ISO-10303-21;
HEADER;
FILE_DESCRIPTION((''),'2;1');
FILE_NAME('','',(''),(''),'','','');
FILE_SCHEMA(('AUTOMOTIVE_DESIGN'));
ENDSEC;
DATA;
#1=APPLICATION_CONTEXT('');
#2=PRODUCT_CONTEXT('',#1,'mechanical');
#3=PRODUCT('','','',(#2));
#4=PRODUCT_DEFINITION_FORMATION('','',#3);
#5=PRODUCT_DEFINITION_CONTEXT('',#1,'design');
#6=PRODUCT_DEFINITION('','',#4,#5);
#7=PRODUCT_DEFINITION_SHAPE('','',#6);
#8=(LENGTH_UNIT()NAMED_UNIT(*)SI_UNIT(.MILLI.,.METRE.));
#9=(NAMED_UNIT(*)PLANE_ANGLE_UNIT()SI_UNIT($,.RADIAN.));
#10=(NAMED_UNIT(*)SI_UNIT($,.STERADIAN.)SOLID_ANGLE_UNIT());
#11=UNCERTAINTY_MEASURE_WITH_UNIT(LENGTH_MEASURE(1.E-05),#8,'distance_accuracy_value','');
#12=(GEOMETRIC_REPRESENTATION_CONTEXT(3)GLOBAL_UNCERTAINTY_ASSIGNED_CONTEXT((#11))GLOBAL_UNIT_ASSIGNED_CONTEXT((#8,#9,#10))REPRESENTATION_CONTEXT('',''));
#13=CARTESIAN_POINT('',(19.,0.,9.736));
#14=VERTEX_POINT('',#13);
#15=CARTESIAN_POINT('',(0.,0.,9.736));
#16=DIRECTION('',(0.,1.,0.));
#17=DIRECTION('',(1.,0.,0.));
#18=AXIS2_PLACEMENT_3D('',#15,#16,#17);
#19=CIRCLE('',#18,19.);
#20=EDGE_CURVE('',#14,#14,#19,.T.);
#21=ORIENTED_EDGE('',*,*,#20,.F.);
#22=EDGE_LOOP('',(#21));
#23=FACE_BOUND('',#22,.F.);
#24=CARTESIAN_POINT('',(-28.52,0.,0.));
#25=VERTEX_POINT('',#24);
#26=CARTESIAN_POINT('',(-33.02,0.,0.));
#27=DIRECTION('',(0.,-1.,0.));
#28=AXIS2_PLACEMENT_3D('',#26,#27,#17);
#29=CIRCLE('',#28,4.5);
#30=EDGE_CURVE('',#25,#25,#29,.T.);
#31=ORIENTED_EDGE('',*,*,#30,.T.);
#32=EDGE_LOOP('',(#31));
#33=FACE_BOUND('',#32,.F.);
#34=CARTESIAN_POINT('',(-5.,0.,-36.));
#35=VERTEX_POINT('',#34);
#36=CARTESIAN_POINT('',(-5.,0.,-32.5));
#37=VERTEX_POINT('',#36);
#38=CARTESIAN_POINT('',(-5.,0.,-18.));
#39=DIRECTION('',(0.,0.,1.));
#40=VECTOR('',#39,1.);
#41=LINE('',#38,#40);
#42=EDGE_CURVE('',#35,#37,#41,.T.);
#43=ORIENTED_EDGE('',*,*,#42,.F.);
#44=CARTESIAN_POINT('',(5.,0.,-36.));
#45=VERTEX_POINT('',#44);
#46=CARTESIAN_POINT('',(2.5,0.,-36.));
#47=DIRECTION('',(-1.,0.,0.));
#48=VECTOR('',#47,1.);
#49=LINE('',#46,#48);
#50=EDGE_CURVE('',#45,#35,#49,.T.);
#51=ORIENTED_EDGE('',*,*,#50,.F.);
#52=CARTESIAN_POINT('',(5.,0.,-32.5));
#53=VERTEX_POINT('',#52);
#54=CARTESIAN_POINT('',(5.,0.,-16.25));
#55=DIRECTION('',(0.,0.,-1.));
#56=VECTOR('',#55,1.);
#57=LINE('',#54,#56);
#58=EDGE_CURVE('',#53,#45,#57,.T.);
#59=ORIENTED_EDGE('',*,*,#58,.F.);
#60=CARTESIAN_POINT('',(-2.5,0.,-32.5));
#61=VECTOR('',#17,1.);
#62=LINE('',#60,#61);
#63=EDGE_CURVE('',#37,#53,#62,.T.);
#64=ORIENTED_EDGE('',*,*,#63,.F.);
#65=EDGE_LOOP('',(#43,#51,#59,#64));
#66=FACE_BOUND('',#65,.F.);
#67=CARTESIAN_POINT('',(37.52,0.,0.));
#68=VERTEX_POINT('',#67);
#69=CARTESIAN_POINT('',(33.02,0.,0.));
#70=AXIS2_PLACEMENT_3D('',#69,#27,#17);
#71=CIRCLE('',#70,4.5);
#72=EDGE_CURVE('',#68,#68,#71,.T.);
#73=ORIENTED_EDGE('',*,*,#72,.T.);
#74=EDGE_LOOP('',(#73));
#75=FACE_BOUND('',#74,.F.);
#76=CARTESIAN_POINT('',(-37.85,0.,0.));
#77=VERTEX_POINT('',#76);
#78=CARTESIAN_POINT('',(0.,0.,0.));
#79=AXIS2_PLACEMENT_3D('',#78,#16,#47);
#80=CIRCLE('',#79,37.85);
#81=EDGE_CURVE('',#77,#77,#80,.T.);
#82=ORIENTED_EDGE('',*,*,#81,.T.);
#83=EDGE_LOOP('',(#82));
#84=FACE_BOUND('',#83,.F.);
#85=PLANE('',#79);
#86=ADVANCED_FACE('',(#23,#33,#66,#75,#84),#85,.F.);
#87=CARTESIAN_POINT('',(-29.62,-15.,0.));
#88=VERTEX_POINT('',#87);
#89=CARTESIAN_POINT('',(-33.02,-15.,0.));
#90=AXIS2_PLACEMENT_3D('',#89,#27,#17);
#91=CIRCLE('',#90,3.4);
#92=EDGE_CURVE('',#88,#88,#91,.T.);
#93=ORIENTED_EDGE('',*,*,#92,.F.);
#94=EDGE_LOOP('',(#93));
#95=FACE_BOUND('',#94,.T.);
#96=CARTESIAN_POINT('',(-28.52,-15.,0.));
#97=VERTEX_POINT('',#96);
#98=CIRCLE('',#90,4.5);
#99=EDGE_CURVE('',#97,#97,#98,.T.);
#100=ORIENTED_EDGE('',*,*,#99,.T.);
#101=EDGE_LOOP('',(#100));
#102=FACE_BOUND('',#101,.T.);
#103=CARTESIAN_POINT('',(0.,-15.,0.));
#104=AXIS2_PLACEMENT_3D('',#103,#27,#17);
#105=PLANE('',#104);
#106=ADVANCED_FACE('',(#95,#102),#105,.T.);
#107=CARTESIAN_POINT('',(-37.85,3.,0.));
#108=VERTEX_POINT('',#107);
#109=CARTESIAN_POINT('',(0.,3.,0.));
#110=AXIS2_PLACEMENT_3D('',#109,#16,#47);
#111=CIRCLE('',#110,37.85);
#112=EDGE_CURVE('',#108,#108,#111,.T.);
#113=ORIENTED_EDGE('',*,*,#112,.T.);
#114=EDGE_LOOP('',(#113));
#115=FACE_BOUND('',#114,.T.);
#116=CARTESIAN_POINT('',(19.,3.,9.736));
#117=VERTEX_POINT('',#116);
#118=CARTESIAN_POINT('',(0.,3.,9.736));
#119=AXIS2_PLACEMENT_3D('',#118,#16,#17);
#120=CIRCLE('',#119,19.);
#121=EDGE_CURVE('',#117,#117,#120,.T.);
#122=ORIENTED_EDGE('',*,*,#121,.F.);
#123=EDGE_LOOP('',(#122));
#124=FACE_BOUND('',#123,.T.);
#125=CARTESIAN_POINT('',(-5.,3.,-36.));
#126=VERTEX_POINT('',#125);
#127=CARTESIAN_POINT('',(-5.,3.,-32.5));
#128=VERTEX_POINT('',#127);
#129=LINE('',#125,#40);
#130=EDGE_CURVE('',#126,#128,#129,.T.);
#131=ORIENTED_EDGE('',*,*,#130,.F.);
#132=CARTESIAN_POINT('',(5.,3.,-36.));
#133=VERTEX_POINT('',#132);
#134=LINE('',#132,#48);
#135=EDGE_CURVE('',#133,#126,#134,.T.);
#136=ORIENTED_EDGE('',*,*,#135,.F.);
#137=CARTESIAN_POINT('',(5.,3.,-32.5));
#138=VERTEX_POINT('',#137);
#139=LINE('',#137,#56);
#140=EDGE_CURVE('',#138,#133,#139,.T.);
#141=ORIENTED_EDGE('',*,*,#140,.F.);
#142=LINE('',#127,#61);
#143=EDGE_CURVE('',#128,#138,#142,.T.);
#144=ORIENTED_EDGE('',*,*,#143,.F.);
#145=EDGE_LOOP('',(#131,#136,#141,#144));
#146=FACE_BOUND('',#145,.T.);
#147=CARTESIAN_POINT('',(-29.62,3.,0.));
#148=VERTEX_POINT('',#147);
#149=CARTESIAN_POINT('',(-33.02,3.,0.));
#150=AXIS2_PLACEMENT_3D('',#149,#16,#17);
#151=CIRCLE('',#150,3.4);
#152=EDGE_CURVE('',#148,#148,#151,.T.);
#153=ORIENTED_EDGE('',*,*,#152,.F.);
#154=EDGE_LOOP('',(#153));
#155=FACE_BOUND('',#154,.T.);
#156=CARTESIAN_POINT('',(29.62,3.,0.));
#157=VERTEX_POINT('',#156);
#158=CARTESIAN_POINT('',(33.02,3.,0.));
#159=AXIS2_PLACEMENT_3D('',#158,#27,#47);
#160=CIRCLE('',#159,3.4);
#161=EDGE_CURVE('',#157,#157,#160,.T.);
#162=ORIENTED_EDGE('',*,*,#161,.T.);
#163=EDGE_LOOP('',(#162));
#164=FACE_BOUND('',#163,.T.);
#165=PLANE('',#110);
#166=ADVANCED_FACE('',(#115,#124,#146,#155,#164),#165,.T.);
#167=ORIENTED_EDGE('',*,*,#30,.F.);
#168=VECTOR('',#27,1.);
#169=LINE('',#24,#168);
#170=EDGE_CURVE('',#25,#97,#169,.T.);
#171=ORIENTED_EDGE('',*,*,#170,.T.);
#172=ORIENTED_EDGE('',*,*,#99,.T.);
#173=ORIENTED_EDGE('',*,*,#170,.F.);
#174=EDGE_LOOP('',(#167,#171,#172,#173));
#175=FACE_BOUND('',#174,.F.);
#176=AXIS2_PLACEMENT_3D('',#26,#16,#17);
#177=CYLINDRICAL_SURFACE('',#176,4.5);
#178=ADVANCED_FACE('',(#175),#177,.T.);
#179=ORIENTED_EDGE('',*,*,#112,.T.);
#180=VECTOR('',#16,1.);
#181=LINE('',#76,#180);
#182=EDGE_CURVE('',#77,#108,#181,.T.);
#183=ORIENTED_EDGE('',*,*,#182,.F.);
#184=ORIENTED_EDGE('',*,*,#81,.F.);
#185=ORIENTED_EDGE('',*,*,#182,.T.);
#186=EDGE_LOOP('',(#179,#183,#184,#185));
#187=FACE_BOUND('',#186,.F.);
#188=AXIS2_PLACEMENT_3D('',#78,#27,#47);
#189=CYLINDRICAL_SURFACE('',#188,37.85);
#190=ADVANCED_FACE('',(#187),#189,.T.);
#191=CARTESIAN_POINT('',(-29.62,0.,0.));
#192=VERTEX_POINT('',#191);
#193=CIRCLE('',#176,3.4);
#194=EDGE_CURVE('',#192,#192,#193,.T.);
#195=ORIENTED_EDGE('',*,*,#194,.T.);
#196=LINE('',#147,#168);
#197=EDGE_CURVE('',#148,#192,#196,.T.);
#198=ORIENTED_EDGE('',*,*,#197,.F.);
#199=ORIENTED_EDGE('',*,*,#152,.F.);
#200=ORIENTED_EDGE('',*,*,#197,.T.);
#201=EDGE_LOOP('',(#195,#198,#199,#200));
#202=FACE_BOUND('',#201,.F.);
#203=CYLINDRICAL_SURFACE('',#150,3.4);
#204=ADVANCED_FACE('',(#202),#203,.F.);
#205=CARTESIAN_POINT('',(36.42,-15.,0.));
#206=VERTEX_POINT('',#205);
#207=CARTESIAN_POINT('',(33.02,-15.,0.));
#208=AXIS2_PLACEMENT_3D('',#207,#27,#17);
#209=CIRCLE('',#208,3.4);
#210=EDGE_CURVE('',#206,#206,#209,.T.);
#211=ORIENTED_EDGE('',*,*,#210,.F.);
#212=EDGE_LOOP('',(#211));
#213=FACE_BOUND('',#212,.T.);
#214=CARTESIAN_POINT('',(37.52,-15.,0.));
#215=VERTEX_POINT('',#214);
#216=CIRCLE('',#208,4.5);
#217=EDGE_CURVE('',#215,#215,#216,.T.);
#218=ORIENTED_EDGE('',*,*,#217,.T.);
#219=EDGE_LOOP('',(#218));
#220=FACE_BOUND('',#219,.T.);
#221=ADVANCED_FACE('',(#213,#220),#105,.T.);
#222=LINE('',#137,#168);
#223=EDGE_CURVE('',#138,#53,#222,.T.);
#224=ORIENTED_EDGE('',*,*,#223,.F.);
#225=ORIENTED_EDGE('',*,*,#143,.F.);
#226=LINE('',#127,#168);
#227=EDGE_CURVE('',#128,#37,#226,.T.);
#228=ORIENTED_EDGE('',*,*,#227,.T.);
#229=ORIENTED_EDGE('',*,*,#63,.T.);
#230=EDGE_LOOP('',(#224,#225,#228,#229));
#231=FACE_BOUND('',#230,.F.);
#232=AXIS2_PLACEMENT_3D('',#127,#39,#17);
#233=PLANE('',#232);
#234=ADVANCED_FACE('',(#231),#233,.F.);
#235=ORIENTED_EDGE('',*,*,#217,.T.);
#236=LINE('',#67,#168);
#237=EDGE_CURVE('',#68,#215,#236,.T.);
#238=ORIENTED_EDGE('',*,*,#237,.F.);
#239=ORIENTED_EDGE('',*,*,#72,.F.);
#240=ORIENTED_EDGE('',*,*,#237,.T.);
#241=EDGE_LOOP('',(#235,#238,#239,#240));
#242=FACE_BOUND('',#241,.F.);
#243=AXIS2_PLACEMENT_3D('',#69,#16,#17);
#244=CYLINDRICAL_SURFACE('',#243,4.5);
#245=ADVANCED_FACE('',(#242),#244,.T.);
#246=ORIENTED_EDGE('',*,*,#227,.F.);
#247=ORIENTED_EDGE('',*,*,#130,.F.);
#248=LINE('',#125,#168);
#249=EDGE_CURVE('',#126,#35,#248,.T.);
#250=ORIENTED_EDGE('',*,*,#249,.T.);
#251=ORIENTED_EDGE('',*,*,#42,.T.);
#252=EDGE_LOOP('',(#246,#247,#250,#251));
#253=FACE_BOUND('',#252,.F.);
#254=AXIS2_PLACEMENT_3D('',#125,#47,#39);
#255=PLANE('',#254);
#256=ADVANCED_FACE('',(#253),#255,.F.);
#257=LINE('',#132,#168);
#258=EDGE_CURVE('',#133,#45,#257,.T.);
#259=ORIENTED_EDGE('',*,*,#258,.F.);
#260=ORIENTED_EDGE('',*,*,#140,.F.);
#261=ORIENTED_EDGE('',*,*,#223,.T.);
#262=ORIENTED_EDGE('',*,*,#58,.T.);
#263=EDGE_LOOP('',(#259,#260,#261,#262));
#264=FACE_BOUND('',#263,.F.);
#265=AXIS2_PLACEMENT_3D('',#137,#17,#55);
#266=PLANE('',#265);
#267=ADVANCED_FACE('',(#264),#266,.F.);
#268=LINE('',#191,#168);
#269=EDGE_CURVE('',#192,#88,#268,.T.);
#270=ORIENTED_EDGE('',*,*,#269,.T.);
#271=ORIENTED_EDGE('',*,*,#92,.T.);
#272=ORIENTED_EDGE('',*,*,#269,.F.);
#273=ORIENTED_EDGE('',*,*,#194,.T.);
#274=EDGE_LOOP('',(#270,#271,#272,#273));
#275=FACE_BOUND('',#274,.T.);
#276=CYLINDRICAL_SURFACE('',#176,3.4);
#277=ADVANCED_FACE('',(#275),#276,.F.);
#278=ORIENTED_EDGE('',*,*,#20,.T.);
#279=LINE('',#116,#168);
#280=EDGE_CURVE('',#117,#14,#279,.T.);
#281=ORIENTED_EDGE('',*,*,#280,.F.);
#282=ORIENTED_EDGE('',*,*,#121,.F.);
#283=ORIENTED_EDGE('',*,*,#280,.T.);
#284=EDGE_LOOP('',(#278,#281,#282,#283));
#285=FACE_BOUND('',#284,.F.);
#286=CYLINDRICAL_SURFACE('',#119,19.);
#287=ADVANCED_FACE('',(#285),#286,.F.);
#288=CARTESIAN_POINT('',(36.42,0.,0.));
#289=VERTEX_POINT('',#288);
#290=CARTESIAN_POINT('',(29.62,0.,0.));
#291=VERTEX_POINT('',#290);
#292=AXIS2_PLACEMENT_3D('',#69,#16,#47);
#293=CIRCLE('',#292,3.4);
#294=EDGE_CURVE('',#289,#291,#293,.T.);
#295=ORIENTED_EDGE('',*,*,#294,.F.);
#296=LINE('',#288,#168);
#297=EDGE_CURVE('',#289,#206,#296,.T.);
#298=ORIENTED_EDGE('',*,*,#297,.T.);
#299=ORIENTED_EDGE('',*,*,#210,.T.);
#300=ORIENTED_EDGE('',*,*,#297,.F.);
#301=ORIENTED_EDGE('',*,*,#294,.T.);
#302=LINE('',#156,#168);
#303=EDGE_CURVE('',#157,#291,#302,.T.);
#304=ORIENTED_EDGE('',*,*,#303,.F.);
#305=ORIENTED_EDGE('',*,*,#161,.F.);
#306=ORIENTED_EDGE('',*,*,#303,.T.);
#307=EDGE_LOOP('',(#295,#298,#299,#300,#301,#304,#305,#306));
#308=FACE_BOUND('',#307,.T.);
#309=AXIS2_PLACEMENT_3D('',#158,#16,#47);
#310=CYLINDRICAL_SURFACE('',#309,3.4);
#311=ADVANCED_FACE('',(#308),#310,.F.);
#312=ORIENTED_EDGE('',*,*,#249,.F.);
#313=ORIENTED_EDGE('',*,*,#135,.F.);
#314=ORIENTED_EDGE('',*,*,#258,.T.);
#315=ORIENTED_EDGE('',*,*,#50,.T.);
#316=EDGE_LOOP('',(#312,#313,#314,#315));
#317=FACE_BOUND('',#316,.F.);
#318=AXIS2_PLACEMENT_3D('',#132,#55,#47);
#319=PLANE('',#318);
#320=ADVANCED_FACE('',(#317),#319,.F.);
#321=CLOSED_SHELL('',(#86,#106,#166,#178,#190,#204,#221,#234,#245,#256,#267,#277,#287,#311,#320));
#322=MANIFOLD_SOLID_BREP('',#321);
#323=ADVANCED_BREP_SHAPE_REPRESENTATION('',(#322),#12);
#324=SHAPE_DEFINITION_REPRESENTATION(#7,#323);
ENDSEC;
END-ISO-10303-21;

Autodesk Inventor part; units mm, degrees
ref_plane "YZ Plane" through (0, 0, 0) normal (1, 0, 0) x (0, 1, 0)
ref_plane "XZ Plane" through (0, 0, 0) normal (0, 1, 0) x (-1, 0, 0)
ref_plane "XY Plane" through (0, 0, 0) normal (0, 0, 1) x (1, 0, 0)
sketch "Sketch1" plane through (0, 0, 0) normal (0, 1, 0) x (-1, 0, 0)
  circle A0 centre (0, 0) radius 37.85
  dimension "d0" = 75.7
extrude "Extrusion1" add sketch "Sketch1" along normal blind 3
sketch "Sketch2" plane through (0, 3, 0) normal (0, 1, 0) x (1, 0, 0)
  circle A0 centre (-33.02, 0) radius 3.4
  point P0 (0, 0)
  point P1 (0, 0)
  dimension "d3" = 33.02
  dimension "d4" = 6.8
extrude "Extrusion2" cut sketch "Sketch2" against normal through all
mirror "Mirror1" about plane through (0, 0, 0) normal (1, 0, 0) of "Extrusion2"
sketch "Sketch3" plane through (0, 0, 0) normal (0, -1, 0) x (1, 0, 0)
  circle A0 centre (-33.02, 0) radius 3.4 projected
  circle A1 centre (33.02, 0) radius 3.4 projected
  circle A2 centre (-33.02, 0) radius 4.5
  circle A3 centre (33.02, 0) radius 4.5
  point P0 (0, 0)
  dimension "d7" = 9
  dimension "d8" = 9
extrude "Extrusion3" add sketch "Sketch3" along normal blind 15
sketch "Sketch4" plane through (0, 3, 0) normal (0, 1, 0) x (1, 0, 0)
  circle A0 centre (0, -9.736) radius 19
  point P0 (0, 0)
  dimension "d11" = 9.736
  dimension "d12" = 38
extrude "Extrusion4" cut sketch "Sketch4" against normal blind 18.5
sketch "Sketch5" plane through (0, 3, 0) normal (0, 1, 0) x (1, 0, 0)
  circle A0 centre (0, 8.554) radius 21
  point P0 (0, 0)
  dimension "d15" = 8.554
  dimension "d16" = 42
extrude "Extrusion5" [suppressed]
sketch "Sketch6" plane through (0, 3, 0) normal (0, 1, 0) x (1, 0, 0)
  line L0 (5, 36) -> (-5, 36)
  line L1 (-5, 36) -> (-5, 32.5)
  line L2 (-5, 32.5) -> (5, 32.5)
  line L3 (5, 32.5) -> (5, 36)
  circle A0 centre (0, 0) radius 37.85 projected
  dimension "d19" = 10
  dimension "d20" = 5
  dimension "d21" = 3.5
  dimension "d22" = 36
extrude "Extrusion6" cut sketch "Sketch6" against normal through all contours L3 L2 L1 L0
equation "\"d8\" = d7"
equation "\"d20\" = 0.5 * d19"
properties part number "plate_r1"
